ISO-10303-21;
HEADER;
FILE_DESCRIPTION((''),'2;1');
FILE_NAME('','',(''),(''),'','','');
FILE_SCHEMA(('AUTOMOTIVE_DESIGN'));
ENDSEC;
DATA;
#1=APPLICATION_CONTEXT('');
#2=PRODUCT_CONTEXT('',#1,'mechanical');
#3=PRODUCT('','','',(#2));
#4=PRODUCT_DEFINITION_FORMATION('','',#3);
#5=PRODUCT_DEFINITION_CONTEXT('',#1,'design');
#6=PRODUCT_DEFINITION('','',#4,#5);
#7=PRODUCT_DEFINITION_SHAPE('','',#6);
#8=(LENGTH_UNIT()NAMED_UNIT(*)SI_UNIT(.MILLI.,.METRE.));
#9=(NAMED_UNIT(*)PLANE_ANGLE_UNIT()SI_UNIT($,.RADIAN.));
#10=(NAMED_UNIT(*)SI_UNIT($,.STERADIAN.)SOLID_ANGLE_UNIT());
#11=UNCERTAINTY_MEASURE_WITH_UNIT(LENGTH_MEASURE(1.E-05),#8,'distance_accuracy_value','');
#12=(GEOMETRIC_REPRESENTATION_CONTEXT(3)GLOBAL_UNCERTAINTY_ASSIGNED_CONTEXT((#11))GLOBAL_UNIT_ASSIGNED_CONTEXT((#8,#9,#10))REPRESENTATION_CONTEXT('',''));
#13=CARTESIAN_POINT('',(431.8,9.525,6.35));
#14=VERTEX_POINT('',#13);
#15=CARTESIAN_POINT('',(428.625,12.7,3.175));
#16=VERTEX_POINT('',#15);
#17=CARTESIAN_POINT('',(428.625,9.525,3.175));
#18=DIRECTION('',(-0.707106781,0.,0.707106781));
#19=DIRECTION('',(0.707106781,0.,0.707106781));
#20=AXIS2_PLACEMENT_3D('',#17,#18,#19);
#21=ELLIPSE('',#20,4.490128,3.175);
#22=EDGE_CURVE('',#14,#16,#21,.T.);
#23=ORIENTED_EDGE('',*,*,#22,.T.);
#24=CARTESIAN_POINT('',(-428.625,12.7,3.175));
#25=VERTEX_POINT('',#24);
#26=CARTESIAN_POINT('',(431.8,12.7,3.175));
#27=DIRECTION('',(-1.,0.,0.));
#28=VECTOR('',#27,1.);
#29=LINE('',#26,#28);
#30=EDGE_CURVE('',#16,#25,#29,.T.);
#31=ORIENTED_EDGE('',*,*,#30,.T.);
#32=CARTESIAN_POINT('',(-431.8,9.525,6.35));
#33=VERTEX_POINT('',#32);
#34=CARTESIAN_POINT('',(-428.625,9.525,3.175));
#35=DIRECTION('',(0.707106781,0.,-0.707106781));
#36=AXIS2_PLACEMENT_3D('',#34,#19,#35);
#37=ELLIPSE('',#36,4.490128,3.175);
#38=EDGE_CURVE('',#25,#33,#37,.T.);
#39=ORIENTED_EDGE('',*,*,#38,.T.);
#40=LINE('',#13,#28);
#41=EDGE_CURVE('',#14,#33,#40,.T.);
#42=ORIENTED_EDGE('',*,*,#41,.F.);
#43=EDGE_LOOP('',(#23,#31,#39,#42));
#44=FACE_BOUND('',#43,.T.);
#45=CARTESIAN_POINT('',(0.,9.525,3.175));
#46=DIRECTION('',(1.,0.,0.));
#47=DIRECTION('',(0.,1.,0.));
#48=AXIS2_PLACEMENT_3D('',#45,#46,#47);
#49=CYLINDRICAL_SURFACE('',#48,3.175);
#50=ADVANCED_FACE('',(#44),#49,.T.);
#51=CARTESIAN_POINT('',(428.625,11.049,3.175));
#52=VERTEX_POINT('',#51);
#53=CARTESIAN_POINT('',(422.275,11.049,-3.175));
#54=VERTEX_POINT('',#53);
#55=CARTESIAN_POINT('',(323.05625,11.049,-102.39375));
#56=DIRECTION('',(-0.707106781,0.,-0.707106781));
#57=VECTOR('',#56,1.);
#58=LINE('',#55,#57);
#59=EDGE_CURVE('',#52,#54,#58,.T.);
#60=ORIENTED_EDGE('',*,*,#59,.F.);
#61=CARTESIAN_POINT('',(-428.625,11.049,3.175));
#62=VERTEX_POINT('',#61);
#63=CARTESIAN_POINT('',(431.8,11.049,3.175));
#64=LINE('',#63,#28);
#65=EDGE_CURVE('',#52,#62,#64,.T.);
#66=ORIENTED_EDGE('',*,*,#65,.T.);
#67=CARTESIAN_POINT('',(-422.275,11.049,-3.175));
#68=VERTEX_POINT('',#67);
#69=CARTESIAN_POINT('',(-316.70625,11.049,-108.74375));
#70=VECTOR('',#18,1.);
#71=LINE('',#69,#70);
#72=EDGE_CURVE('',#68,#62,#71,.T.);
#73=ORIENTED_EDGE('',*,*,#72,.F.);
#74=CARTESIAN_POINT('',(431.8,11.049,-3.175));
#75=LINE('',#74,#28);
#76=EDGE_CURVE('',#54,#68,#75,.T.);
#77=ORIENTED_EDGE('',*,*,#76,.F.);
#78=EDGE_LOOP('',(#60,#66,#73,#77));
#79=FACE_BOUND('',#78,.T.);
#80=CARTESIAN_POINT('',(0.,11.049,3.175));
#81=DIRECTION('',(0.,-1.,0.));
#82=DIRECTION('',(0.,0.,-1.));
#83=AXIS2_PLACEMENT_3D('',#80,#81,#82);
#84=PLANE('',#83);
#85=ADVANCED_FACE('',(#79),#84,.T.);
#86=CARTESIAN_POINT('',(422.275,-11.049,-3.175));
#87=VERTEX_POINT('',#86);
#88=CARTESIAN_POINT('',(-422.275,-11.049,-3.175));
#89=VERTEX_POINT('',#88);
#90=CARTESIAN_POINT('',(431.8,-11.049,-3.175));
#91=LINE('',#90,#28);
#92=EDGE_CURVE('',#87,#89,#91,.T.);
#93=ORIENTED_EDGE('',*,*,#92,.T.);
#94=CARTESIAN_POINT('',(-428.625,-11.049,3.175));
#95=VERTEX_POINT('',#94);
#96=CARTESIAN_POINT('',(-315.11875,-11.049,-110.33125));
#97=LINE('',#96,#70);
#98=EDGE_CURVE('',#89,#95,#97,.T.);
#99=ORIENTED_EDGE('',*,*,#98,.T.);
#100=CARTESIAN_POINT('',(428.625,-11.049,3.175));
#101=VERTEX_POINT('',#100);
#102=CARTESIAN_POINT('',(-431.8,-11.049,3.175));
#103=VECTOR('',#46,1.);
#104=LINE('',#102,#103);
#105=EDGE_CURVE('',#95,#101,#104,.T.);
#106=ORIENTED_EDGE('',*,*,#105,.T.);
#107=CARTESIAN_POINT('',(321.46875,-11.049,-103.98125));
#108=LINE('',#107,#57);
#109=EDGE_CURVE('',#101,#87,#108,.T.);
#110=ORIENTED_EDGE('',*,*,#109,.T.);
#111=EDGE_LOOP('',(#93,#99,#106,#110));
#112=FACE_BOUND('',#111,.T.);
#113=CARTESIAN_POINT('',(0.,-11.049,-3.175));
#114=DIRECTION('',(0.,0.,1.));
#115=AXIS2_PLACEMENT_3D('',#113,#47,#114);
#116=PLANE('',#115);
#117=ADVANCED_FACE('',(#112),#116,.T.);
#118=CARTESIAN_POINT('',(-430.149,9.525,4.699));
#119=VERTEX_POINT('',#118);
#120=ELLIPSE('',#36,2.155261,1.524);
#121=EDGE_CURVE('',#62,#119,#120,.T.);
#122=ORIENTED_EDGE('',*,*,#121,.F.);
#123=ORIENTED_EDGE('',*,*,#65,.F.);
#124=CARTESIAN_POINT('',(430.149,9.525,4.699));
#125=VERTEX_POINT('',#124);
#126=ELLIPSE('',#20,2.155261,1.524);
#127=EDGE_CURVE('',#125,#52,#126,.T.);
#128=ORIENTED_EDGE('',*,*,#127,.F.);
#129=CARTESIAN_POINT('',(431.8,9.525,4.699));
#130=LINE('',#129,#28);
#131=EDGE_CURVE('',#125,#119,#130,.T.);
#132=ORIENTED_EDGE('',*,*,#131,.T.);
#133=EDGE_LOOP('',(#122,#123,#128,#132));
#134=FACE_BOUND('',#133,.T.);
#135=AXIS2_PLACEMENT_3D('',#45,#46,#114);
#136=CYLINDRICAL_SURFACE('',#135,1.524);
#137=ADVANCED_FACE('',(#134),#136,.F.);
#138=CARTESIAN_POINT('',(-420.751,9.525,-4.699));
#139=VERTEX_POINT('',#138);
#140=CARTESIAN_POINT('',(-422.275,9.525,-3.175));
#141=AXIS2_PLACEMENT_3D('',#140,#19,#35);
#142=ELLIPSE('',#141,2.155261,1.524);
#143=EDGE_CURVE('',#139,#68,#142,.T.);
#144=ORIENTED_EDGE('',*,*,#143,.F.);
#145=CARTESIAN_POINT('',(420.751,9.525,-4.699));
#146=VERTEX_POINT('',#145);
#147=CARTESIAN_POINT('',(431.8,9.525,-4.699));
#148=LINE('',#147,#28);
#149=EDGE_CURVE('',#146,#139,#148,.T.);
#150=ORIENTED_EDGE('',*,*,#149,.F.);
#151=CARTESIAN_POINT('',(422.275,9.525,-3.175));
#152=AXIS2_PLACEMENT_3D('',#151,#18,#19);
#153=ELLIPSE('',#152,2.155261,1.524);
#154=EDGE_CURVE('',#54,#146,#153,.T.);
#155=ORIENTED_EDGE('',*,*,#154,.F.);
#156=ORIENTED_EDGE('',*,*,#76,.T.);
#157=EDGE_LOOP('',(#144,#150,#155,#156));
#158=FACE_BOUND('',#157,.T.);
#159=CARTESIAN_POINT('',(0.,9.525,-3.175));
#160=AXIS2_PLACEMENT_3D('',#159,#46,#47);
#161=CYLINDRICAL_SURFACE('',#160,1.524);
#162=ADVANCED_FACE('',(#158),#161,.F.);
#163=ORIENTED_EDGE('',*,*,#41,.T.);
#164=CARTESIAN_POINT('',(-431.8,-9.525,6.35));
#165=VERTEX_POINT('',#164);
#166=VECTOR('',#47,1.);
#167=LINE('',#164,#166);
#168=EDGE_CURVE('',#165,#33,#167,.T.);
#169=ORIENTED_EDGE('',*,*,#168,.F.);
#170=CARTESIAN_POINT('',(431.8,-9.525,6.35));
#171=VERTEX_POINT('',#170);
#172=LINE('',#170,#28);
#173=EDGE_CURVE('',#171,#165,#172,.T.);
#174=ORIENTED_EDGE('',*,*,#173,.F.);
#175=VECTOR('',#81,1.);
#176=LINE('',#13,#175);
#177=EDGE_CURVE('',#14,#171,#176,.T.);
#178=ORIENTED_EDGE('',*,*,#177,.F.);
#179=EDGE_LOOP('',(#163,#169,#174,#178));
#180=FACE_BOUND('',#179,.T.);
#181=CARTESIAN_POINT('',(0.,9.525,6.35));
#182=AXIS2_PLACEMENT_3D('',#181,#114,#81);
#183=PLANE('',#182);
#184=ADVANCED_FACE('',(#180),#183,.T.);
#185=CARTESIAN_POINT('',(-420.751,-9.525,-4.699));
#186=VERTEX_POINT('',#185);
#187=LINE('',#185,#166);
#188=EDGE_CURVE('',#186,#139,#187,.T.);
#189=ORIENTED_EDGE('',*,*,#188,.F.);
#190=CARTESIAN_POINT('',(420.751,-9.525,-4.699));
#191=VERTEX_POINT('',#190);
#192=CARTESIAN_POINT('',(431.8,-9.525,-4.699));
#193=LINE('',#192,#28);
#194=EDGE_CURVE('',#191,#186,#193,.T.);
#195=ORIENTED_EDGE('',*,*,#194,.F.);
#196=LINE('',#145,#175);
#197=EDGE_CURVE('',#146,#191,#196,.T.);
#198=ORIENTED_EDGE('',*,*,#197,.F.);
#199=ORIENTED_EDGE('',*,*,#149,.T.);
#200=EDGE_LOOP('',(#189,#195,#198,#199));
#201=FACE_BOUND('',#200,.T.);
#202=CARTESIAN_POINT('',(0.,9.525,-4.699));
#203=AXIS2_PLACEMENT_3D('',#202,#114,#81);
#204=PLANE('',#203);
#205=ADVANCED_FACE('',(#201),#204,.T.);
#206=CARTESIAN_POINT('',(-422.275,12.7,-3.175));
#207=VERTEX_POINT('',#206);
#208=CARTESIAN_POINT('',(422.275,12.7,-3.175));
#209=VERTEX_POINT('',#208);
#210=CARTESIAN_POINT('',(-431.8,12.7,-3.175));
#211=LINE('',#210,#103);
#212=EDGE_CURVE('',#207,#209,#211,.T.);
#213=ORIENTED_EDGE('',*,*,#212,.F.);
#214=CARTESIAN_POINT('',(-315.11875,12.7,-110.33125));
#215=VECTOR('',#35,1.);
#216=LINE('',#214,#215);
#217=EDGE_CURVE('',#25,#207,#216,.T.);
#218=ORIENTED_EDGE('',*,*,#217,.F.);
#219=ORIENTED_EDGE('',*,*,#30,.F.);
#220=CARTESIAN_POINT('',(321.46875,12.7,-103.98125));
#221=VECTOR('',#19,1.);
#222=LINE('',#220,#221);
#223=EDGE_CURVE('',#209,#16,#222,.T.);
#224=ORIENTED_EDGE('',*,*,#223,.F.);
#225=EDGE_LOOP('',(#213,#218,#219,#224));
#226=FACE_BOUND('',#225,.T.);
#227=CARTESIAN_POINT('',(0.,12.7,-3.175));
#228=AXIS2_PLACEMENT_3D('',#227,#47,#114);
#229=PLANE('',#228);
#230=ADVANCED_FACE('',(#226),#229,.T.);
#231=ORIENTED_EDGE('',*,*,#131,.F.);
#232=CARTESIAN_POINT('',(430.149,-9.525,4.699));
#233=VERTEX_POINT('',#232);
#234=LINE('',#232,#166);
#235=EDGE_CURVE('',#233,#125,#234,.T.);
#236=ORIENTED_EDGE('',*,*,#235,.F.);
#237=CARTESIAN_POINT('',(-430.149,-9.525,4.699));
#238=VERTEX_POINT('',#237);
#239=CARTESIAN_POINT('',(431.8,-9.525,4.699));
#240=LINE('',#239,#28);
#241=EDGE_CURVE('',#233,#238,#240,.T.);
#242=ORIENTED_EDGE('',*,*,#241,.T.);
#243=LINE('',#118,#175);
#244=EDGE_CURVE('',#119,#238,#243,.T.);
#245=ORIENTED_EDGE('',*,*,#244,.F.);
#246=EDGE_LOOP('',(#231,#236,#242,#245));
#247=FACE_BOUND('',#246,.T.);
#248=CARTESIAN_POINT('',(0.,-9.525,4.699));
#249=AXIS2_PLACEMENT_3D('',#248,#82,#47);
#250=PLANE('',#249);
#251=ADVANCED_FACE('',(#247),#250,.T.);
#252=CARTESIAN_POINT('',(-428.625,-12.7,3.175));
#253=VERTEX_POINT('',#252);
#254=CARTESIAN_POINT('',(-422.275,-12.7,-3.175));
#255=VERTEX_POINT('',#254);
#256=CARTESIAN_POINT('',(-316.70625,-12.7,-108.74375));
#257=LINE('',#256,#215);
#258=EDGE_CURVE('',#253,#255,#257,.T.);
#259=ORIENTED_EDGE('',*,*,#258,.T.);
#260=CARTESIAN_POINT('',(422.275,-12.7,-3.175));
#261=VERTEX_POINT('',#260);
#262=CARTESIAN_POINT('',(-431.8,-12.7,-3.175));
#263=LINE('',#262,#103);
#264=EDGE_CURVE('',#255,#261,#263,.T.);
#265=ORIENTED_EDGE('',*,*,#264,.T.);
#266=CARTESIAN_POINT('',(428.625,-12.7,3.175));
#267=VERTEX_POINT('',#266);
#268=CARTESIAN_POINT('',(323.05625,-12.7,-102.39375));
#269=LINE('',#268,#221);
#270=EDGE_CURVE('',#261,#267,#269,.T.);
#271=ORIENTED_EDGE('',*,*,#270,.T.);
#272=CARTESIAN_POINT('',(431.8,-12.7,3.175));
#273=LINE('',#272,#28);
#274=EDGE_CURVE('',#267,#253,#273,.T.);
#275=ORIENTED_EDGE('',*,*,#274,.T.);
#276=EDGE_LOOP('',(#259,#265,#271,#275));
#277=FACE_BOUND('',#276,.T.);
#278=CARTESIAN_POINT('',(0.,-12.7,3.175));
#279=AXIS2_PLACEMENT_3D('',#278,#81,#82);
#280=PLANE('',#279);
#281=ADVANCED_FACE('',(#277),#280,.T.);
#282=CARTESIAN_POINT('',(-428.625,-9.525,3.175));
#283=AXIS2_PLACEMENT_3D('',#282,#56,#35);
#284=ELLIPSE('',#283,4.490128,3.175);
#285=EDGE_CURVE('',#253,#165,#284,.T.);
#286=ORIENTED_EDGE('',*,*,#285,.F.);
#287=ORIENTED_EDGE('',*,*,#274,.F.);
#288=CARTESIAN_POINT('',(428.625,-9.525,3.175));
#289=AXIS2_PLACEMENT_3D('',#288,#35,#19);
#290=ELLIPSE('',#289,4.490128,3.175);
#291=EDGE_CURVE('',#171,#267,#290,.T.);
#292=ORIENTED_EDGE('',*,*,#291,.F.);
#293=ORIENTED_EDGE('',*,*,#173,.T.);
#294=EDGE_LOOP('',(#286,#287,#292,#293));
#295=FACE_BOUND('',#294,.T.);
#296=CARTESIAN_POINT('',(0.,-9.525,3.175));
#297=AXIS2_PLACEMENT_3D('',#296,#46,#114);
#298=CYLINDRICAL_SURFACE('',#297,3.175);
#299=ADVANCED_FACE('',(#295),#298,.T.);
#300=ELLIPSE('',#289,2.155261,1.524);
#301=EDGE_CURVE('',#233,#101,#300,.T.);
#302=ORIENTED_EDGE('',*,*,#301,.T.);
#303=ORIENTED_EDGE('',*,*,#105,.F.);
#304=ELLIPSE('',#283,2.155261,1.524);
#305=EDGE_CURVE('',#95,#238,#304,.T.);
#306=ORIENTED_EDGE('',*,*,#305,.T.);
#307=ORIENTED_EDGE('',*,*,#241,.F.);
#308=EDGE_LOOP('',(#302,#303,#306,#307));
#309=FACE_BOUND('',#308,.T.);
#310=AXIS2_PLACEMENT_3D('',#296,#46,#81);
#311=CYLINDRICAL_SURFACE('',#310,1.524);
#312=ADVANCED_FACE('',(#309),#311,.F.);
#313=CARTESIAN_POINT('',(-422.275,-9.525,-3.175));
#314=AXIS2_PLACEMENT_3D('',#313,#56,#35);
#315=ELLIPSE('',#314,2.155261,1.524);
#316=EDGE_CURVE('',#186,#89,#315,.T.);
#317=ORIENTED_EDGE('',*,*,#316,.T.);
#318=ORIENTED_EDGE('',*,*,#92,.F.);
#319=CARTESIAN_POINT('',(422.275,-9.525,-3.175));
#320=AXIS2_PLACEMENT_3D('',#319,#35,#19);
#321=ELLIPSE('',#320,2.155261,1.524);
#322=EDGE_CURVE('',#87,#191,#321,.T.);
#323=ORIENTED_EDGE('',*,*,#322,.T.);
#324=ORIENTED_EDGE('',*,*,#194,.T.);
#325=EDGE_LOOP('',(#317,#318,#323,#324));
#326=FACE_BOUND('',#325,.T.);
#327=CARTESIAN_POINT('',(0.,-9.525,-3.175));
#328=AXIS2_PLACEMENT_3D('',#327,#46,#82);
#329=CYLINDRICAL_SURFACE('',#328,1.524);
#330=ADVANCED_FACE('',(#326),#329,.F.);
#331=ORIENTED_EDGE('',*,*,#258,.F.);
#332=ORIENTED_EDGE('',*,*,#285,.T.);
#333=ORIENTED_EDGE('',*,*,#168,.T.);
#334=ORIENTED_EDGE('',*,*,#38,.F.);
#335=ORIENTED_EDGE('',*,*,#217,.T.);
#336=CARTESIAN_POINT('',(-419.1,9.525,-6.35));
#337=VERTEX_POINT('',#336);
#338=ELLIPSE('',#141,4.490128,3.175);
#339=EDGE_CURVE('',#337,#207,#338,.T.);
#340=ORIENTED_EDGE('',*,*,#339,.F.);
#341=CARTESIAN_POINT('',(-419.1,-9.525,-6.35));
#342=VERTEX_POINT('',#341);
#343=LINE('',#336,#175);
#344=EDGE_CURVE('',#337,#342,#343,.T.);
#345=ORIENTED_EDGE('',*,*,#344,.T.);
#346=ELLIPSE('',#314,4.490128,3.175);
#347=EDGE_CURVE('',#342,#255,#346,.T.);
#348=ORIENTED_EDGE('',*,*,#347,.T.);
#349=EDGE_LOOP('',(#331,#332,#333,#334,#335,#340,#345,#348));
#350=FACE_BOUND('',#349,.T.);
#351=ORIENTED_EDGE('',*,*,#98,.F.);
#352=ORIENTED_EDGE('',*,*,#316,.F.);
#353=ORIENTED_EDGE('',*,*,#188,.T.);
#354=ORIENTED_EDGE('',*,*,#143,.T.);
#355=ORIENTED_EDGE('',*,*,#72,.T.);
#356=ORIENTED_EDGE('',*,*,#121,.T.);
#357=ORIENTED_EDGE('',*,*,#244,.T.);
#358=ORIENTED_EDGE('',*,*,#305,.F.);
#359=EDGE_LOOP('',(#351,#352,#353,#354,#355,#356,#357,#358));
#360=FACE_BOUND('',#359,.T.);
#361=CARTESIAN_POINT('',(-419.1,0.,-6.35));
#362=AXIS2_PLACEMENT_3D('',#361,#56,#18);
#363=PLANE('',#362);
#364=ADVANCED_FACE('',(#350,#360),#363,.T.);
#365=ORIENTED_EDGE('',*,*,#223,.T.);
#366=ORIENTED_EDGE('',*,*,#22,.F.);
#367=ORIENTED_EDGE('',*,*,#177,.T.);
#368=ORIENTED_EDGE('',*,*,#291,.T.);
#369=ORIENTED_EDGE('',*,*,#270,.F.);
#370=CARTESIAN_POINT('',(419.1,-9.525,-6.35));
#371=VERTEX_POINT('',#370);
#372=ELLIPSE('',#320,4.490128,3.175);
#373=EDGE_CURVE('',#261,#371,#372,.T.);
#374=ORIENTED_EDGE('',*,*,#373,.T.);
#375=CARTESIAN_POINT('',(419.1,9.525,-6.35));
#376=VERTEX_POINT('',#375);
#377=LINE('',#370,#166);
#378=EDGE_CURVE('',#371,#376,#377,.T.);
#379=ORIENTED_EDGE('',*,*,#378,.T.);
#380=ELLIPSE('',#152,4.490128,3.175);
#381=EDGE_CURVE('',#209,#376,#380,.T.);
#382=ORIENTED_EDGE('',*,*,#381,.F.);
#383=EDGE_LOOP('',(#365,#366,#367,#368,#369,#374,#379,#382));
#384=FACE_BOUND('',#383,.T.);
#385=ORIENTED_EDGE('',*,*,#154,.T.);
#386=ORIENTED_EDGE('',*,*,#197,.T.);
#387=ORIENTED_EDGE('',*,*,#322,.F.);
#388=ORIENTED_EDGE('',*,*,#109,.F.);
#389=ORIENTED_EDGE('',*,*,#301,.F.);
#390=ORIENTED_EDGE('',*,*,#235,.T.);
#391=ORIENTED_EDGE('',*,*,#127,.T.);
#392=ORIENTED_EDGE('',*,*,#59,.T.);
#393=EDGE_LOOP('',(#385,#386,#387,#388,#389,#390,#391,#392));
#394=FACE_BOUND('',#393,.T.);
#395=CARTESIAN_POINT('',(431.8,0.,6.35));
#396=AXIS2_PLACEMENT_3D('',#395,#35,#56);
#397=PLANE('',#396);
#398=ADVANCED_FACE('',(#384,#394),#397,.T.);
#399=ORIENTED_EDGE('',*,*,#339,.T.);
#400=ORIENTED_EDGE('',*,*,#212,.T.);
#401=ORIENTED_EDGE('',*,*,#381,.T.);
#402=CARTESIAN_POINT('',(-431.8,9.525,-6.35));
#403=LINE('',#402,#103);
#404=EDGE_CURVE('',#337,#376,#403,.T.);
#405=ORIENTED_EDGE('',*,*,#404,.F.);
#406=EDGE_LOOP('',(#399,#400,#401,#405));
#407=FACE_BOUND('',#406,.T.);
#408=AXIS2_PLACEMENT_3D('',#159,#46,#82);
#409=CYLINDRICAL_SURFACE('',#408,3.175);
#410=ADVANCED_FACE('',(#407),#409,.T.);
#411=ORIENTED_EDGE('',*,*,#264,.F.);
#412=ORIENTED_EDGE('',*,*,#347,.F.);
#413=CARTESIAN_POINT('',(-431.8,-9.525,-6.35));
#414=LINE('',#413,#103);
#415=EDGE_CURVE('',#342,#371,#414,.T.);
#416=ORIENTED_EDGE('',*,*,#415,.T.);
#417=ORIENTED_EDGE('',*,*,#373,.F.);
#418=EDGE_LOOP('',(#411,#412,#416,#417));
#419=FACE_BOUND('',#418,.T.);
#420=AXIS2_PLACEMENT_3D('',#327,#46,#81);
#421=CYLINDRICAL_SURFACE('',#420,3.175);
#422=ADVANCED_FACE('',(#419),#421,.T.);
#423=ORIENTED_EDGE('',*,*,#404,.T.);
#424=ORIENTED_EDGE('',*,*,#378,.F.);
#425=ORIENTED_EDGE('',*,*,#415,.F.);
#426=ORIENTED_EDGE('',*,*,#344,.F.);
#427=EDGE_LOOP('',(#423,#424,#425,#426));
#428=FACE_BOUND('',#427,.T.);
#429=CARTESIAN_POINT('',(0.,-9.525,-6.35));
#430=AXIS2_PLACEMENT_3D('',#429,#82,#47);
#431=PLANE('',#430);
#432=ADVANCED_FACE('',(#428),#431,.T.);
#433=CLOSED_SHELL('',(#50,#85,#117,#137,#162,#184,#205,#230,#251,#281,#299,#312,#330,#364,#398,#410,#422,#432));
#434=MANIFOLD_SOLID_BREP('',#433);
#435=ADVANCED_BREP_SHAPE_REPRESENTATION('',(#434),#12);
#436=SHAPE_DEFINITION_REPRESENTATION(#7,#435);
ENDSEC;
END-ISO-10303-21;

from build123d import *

# Parameters (mm, degrees)
F1_DEPTH      = 431.8
F3_DEPTH      = 12.701
F3_DEPTH_BACK = 12.701


with BuildPart() as f1:
    # F0 (on Right) → F1 (new body, symmetric)
    with BuildSketch(Plane.YZ):
        with BuildLine():
            Line((-12.7, 3.175), (-12.7, -3.175))
            ThreePointArc((-12.7, -3.175), (-11.7700640303, -5.4200640303), (-9.525, -6.35))
            Line((-9.525, -6.35), (9.525, -6.35))
            ThreePointArc((9.525, -6.35), (11.7700640303, -5.4200640303), (12.7, -3.175))
            Line((12.7, -3.175), (12.7, 3.175))
            ThreePointArc((12.7, 3.175), (11.7700640303, 5.4200640303), (9.525, 6.35))
            Line((9.525, 6.35), (-9.525, 6.35))
            ThreePointArc((-9.525, 6.35), (-11.7700640303, 5.4200640303), (-12.7, 3.175))
        make_face()
        with BuildLine():
            ThreePointArc((-11.049, 3.175), (-10.6026307345, 4.2526307345), (-9.525, 4.699))
            Line((-9.525, 4.699), (9.525, 4.699))
            ThreePointArc((9.525, 4.699), (10.6026307345, 4.2526307345), (11.049, 3.175))
            Line((11.049, 3.175), (11.049, -3.175))
            ThreePointArc((11.049, -3.175), (10.6026307345, -4.2526307345), (9.525, -4.699))
            Line((9.525, -4.699), (-9.525, -4.699))
            ThreePointArc((-9.525, -4.699), (-10.6026307345, -4.2526307345), (-11.049, -3.175))
            Line((-11.049, -3.175), (-11.049, 3.175))
        make_face(mode=Mode.SUBTRACT)
    extrude(amount=F1_DEPTH, both=True)

    # F2 (on Front) → F3 (cut, two sides)
    with BuildSketch(Plane.XZ) as f3_sk:
        Polygon((-431.8, 6.35), (-431.8, -6.35), (-419.1, -6.35), align=None)
        Polygon((419.1, -6.35), (431.8, -6.35), (431.8, 6.35), align=None)
    extrude(amount=-F3_DEPTH, mode=Mode.SUBTRACT)
    extrude(f3_sk.sketch, amount=F3_DEPTH_BACK, mode=Mode.SUBTRACT)


solid = f1.part
